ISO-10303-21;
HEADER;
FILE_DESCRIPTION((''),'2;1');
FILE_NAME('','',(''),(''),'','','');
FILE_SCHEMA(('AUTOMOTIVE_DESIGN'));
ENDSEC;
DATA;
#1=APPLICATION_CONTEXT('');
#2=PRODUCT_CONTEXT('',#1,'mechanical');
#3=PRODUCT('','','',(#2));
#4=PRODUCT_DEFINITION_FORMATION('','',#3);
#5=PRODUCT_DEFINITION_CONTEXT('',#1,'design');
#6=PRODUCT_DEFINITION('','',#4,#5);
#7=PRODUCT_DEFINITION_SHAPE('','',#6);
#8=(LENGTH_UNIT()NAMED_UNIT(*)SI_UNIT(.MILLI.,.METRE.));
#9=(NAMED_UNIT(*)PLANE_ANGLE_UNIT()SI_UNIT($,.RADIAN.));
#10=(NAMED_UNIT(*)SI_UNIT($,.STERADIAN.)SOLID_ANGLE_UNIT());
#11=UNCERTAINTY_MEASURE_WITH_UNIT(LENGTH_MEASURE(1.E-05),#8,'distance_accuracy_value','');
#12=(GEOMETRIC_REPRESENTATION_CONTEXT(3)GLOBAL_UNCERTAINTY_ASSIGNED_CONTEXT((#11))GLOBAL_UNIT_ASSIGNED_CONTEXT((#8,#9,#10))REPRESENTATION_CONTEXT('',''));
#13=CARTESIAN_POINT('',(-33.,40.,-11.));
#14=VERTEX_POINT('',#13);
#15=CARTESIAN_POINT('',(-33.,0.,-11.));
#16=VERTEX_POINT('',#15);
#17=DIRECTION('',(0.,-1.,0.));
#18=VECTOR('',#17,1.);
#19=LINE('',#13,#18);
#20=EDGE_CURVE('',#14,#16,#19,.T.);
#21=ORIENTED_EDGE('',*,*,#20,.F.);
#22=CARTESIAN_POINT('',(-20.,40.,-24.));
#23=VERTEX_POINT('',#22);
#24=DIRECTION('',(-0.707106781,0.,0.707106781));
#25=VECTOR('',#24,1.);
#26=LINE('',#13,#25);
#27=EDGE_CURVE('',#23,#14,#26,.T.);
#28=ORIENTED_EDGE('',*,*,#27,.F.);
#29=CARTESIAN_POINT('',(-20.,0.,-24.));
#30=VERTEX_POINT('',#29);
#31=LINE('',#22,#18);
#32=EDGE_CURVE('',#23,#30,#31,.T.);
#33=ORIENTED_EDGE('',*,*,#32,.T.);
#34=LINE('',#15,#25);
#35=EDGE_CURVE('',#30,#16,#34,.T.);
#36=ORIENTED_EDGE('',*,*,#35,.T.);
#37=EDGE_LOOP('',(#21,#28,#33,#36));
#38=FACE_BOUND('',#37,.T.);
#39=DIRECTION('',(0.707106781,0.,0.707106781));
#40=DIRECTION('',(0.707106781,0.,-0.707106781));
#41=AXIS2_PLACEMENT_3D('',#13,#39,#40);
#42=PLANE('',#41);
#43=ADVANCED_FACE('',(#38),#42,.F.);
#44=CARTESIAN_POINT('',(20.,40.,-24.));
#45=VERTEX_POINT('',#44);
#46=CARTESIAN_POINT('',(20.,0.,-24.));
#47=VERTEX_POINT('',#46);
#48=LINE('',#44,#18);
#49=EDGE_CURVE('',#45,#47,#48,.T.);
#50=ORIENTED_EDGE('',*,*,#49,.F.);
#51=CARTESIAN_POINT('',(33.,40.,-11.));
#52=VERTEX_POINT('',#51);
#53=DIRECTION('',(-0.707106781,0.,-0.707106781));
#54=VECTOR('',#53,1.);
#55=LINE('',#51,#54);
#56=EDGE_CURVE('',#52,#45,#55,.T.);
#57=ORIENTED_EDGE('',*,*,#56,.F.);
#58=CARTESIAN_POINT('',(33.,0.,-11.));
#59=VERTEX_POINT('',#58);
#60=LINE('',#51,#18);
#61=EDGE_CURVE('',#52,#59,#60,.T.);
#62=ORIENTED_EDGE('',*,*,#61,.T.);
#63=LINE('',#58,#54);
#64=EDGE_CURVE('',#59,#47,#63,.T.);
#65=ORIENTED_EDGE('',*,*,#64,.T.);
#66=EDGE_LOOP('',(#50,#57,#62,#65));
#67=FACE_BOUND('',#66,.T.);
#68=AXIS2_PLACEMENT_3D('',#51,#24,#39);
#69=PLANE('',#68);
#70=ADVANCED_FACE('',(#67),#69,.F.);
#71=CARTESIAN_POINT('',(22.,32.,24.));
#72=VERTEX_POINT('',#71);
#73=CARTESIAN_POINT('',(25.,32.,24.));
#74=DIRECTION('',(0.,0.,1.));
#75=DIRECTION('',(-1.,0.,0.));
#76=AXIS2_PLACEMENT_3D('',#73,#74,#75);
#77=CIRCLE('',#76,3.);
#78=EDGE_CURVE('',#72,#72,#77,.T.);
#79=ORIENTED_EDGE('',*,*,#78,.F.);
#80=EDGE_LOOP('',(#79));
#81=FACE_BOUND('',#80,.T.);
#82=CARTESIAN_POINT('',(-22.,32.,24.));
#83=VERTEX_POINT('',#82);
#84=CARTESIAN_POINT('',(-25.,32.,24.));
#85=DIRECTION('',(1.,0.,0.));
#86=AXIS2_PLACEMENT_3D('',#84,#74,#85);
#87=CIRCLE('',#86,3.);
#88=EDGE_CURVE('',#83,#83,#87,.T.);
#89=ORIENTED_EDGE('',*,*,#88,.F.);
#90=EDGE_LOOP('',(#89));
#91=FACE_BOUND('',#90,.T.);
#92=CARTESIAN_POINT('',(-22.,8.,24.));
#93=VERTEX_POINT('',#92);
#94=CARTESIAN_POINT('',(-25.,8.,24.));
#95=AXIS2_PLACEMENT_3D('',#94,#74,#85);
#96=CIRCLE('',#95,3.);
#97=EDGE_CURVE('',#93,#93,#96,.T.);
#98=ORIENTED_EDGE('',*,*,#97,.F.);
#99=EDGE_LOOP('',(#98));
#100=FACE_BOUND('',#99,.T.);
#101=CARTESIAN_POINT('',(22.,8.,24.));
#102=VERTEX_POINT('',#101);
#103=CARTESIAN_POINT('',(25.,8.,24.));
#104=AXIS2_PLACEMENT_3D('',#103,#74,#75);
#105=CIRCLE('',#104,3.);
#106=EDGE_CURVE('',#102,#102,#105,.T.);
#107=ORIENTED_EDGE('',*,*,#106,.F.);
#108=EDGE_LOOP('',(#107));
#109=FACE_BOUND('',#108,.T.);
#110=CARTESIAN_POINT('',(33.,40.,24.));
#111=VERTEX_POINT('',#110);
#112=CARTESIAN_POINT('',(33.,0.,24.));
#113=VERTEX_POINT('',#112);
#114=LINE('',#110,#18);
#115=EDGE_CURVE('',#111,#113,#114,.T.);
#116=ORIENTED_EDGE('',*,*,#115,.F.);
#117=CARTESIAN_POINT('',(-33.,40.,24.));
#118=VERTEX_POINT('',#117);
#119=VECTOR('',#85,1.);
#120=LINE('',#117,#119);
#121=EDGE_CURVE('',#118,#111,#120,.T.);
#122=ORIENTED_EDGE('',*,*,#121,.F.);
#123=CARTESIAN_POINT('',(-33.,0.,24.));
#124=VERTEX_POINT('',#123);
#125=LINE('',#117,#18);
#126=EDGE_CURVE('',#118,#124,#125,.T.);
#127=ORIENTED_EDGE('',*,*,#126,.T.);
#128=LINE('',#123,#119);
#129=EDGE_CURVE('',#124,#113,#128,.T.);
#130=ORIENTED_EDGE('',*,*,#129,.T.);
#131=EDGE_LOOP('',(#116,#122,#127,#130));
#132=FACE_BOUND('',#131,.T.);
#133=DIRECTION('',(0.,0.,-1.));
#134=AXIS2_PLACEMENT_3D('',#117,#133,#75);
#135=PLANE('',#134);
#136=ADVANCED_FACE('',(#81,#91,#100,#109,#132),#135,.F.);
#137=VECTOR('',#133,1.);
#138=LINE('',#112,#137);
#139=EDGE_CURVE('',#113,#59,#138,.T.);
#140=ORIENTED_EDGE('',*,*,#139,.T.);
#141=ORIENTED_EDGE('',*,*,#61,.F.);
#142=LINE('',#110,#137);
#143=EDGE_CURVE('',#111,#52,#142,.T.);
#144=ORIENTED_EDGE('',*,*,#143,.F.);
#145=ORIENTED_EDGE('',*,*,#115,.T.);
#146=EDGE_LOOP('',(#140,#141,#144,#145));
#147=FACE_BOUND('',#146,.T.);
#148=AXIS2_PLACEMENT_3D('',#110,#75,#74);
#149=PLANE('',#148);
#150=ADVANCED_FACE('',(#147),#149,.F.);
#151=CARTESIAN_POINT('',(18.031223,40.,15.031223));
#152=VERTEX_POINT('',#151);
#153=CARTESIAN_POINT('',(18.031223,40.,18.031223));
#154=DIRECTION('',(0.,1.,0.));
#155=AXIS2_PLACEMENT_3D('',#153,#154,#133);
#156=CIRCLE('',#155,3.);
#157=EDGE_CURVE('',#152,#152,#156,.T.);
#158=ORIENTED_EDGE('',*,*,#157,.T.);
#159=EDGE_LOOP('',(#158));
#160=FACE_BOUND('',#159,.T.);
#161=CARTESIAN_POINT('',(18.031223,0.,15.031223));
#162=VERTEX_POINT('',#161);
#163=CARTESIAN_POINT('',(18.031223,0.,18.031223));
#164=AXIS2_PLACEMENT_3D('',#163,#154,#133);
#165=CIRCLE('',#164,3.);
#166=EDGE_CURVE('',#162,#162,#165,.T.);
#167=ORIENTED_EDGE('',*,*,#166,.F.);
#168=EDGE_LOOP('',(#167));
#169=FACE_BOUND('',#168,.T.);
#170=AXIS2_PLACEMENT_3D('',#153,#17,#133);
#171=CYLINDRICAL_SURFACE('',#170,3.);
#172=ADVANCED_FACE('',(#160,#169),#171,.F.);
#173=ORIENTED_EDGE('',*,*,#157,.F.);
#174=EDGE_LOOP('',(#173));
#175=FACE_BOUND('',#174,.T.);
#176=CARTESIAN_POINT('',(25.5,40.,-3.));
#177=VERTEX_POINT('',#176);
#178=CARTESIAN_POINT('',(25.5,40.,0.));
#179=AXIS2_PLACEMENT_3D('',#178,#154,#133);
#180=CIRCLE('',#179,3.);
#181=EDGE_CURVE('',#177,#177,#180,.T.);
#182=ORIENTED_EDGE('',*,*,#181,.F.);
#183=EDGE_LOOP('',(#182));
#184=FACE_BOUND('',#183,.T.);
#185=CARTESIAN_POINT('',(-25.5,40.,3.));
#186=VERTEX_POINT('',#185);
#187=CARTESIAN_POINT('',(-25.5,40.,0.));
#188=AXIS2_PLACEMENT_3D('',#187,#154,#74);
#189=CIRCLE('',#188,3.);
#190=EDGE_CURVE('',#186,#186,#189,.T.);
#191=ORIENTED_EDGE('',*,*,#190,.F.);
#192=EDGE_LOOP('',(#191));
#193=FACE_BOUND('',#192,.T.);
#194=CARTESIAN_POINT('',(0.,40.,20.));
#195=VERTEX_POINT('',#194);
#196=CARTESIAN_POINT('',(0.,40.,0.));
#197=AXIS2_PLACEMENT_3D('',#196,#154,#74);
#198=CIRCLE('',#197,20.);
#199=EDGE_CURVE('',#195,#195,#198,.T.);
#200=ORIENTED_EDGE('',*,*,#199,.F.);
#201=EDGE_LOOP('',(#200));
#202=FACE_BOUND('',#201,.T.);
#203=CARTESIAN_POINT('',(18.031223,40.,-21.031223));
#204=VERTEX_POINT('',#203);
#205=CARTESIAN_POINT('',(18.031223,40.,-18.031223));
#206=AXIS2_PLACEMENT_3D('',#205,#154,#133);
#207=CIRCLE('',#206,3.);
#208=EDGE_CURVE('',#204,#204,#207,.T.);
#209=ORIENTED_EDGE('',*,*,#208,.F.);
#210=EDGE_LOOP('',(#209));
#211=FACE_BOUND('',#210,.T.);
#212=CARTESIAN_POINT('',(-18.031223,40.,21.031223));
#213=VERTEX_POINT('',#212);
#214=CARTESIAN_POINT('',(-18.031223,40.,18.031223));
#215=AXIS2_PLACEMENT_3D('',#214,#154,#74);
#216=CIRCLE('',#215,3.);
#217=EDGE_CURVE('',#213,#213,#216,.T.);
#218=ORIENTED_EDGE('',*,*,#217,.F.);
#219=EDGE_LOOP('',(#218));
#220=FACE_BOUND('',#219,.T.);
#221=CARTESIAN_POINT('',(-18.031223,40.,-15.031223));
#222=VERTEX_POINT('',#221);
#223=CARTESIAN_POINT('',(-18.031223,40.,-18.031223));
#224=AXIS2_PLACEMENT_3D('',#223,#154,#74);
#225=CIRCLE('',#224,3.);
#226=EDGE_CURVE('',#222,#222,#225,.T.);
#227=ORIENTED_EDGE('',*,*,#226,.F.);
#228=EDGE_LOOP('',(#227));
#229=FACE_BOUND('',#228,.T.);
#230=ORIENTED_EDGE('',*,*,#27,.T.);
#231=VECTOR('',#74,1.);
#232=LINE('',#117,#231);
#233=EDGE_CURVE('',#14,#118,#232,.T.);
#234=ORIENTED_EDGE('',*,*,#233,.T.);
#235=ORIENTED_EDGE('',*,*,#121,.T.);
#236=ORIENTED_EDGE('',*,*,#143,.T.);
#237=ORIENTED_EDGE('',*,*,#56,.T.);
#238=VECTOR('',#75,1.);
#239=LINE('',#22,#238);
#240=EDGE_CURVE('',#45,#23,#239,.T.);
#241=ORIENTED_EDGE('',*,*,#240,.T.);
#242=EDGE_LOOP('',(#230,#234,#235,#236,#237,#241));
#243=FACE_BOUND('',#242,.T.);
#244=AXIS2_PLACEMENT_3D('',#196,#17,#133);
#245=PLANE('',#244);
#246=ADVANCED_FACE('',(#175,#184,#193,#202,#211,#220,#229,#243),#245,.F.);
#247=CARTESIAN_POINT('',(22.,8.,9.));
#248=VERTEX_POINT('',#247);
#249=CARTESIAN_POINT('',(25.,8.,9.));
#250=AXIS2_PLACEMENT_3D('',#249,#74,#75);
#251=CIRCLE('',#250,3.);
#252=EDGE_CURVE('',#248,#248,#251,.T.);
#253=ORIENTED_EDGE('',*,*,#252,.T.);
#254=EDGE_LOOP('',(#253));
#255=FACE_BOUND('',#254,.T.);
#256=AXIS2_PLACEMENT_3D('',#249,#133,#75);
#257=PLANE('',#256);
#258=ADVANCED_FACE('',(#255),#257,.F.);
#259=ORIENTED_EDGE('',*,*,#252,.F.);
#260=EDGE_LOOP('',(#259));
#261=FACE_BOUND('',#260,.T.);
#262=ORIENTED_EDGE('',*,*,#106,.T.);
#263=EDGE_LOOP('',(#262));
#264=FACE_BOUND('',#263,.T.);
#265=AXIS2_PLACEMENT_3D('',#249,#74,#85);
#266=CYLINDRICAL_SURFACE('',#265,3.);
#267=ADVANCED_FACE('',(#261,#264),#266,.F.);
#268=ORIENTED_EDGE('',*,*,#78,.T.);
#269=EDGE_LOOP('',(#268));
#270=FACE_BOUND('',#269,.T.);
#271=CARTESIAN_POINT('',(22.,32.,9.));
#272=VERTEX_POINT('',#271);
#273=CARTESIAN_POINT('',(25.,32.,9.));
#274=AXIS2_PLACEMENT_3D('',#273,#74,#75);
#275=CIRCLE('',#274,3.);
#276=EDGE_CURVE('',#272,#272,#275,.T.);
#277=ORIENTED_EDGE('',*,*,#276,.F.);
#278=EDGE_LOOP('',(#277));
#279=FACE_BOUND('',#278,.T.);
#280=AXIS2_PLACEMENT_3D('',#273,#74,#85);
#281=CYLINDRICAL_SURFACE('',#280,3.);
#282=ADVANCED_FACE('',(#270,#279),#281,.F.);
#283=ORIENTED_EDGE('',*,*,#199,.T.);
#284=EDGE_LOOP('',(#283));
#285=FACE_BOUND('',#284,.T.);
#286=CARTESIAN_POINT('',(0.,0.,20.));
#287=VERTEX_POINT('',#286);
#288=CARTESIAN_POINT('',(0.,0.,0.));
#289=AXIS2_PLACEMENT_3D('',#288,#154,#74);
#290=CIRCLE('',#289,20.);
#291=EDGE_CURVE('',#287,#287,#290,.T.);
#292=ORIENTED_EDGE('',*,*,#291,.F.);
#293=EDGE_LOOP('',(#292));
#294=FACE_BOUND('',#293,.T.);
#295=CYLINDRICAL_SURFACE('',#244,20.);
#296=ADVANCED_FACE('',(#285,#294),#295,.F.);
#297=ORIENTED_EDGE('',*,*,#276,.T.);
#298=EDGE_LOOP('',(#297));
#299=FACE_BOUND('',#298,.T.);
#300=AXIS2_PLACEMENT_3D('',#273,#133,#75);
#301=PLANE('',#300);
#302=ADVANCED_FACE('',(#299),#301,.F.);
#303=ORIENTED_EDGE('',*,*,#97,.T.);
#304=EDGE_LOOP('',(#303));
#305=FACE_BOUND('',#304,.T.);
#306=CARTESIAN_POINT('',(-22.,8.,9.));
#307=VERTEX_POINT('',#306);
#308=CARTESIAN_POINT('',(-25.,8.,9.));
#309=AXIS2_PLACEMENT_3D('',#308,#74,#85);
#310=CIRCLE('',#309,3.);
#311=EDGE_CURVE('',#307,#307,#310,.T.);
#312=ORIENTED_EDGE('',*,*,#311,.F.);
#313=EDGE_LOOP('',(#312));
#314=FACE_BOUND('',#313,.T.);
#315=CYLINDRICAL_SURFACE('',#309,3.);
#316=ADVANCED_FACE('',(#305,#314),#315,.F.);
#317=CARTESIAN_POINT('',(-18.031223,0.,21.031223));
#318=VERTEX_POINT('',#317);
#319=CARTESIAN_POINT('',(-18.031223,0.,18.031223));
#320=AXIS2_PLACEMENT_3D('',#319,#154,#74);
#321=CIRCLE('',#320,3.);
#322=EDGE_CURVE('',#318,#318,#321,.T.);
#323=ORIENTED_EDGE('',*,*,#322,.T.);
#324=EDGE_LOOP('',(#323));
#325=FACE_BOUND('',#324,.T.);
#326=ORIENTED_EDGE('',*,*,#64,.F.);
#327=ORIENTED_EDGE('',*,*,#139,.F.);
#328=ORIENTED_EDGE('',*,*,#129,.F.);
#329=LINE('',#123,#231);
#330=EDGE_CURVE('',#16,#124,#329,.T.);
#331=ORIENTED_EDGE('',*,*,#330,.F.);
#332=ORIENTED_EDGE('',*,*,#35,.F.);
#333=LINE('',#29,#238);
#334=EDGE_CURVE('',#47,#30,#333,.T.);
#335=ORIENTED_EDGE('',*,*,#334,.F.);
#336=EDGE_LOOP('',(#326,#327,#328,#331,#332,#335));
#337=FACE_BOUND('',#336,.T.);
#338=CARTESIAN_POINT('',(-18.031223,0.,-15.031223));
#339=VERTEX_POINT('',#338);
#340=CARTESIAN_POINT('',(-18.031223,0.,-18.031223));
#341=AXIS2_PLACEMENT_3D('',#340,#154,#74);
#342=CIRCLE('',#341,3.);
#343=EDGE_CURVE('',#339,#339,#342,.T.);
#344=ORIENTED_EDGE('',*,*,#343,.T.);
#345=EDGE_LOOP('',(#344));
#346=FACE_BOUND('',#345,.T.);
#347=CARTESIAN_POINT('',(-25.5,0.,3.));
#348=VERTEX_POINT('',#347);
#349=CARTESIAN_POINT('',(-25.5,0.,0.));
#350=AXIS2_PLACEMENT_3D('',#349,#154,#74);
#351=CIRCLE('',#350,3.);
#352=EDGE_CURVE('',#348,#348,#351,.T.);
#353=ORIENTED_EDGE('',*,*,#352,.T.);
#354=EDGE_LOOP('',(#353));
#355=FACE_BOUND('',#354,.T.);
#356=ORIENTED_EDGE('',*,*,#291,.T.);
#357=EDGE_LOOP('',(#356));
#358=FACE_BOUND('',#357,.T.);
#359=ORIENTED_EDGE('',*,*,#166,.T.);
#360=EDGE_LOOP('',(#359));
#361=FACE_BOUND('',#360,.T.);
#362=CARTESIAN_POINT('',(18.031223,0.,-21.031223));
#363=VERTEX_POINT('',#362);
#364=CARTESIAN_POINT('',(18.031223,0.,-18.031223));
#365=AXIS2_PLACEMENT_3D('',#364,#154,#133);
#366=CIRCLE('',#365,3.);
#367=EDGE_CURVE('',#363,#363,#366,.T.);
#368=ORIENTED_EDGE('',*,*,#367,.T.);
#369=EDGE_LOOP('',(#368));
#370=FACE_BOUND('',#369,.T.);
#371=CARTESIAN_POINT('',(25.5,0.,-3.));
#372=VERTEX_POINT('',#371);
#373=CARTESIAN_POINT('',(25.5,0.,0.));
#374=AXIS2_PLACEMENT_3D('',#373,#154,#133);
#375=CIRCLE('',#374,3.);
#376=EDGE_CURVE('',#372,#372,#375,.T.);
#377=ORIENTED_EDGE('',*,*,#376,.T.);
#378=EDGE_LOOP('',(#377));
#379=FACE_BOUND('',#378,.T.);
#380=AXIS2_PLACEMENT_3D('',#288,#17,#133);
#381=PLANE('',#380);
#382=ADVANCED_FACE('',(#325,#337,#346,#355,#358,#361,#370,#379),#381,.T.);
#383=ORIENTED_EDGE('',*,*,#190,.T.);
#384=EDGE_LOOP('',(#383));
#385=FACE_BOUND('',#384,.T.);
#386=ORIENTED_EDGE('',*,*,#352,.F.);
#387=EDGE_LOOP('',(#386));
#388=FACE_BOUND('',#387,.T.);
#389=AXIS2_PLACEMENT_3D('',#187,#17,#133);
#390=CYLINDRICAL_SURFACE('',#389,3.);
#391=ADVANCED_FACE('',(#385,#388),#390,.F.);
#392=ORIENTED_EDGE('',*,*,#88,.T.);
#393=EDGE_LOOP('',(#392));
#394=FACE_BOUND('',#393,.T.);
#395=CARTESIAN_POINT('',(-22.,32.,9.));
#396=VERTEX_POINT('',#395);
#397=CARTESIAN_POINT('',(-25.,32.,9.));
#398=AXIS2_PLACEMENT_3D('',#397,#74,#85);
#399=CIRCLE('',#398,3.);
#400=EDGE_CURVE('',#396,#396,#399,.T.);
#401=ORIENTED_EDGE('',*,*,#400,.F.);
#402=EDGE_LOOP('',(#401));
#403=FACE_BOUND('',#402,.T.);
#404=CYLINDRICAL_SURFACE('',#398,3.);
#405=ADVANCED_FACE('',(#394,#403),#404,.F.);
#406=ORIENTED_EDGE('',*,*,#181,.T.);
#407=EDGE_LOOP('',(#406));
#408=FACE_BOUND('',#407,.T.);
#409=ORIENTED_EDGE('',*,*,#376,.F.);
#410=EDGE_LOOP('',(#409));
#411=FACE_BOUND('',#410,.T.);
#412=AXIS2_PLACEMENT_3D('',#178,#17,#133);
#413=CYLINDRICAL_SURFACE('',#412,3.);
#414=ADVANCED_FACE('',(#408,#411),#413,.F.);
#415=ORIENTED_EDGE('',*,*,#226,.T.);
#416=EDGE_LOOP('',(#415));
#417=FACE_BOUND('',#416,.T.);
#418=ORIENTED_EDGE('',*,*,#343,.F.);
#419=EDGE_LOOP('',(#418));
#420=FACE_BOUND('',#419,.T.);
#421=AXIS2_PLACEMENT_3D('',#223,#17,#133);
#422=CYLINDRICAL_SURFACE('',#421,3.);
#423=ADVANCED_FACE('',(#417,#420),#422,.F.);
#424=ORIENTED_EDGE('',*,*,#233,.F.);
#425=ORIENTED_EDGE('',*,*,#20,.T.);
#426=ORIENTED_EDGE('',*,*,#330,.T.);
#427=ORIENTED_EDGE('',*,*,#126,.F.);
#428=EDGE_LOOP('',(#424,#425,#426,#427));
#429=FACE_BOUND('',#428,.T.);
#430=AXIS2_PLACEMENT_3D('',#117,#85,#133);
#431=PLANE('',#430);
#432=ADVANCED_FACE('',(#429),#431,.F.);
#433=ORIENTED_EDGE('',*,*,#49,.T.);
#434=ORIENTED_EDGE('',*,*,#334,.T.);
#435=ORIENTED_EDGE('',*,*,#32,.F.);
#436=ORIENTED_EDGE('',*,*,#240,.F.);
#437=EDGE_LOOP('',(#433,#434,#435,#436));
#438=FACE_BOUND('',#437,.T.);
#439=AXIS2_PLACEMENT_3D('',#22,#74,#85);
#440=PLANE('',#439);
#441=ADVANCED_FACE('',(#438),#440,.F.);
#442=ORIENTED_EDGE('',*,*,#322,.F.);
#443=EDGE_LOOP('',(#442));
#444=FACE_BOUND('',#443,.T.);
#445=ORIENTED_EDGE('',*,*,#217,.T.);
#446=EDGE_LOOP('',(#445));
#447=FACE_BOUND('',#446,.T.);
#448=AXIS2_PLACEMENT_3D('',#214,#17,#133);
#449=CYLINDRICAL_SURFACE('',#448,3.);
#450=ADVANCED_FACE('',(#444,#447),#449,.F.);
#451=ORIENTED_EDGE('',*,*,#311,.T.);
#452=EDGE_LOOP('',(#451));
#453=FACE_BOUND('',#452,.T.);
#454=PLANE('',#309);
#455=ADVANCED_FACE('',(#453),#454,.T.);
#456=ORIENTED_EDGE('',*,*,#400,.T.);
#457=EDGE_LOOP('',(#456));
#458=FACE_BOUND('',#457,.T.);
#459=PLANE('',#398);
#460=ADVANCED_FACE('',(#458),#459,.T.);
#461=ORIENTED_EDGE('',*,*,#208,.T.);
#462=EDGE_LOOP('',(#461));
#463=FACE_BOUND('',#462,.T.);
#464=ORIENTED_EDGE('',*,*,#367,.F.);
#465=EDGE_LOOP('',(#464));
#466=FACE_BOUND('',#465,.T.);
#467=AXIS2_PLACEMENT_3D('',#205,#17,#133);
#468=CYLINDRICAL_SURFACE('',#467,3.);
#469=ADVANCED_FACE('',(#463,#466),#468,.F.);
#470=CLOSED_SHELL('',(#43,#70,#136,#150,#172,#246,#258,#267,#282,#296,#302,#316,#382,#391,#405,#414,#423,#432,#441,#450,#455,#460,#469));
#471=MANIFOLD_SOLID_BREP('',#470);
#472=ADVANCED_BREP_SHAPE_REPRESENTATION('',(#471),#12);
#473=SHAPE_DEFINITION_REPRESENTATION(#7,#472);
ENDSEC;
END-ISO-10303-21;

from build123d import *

# Parameters (mm, degrees)
SKETCH_1_R          = 20
SKETCH_1_R_2        = 3
EXTRUDE_1_DEPTH     = 40
SKETCH_2_R          = 3
CUT_EXTRUDE_1_DEPTH = 15


with BuildPart() as part:
    # 草图1 → 凸台-拉伸1 (new body)
    with BuildSketch(Plane(origin=(0, 0, 0), x_dir=(1, 0, 0), z_dir=(0, 1, 0))):
        Polygon((-33, -24), (33, -24), (33, 11), (20, 24), (-20, 24), (-33, 11), align=None)
        with Locations(Location((0, 0, 0), (0, 0, 270))):
            Circle(SKETCH_1_R, mode=Mode.SUBTRACT)
        with Locations(Location((-25.5, 0, 0), (0, 0, 270))):
            Circle(SKETCH_1_R_2, mode=Mode.SUBTRACT)
        with Locations(Location((-18.03122292, 18.03122292, 0), (0, 0, 270))):
            Circle(SKETCH_1_R_2, mode=Mode.SUBTRACT)
        with Locations(Location((-18.03122292, -18.03122292, 0), (0, 0, 270))):
            Circle(SKETCH_1_R_2, mode=Mode.SUBTRACT)
        with Locations(Location((18.03122292, -18.03122292, 0), (0, 0, 90))):
            Circle(SKETCH_1_R_2, mode=Mode.SUBTRACT)
        with Locations(Location((18.03122292, 18.03122292, 0), (0, 0, 90))):
            Circle(SKETCH_1_R_2, mode=Mode.SUBTRACT)
        with Locations(Location((25.5, 0, 0), (0, 0, 90))):
            Circle(SKETCH_1_R_2, mode=Mode.SUBTRACT)
    extrude(amount=EXTRUDE_1_DEPTH)

    # 草图2 → 切除-拉伸1 (cut)
    with BuildSketch(Plane.XY.offset(24)):
        with Locations((-25, 32)):
            Circle(SKETCH_2_R)
        with Locations((-25, 8)):
            Circle(SKETCH_2_R)
        with Locations(Location((25, 8, 0), (0, 0, 180))):
            Circle(SKETCH_2_R)
        with Locations(Location((25, 32, 0), (0, 0, 180))):
            Circle(SKETCH_2_R)
    extrude(amount=-CUT_EXTRUDE_1_DEPTH, mode=Mode.SUBTRACT)


solid = part.part
